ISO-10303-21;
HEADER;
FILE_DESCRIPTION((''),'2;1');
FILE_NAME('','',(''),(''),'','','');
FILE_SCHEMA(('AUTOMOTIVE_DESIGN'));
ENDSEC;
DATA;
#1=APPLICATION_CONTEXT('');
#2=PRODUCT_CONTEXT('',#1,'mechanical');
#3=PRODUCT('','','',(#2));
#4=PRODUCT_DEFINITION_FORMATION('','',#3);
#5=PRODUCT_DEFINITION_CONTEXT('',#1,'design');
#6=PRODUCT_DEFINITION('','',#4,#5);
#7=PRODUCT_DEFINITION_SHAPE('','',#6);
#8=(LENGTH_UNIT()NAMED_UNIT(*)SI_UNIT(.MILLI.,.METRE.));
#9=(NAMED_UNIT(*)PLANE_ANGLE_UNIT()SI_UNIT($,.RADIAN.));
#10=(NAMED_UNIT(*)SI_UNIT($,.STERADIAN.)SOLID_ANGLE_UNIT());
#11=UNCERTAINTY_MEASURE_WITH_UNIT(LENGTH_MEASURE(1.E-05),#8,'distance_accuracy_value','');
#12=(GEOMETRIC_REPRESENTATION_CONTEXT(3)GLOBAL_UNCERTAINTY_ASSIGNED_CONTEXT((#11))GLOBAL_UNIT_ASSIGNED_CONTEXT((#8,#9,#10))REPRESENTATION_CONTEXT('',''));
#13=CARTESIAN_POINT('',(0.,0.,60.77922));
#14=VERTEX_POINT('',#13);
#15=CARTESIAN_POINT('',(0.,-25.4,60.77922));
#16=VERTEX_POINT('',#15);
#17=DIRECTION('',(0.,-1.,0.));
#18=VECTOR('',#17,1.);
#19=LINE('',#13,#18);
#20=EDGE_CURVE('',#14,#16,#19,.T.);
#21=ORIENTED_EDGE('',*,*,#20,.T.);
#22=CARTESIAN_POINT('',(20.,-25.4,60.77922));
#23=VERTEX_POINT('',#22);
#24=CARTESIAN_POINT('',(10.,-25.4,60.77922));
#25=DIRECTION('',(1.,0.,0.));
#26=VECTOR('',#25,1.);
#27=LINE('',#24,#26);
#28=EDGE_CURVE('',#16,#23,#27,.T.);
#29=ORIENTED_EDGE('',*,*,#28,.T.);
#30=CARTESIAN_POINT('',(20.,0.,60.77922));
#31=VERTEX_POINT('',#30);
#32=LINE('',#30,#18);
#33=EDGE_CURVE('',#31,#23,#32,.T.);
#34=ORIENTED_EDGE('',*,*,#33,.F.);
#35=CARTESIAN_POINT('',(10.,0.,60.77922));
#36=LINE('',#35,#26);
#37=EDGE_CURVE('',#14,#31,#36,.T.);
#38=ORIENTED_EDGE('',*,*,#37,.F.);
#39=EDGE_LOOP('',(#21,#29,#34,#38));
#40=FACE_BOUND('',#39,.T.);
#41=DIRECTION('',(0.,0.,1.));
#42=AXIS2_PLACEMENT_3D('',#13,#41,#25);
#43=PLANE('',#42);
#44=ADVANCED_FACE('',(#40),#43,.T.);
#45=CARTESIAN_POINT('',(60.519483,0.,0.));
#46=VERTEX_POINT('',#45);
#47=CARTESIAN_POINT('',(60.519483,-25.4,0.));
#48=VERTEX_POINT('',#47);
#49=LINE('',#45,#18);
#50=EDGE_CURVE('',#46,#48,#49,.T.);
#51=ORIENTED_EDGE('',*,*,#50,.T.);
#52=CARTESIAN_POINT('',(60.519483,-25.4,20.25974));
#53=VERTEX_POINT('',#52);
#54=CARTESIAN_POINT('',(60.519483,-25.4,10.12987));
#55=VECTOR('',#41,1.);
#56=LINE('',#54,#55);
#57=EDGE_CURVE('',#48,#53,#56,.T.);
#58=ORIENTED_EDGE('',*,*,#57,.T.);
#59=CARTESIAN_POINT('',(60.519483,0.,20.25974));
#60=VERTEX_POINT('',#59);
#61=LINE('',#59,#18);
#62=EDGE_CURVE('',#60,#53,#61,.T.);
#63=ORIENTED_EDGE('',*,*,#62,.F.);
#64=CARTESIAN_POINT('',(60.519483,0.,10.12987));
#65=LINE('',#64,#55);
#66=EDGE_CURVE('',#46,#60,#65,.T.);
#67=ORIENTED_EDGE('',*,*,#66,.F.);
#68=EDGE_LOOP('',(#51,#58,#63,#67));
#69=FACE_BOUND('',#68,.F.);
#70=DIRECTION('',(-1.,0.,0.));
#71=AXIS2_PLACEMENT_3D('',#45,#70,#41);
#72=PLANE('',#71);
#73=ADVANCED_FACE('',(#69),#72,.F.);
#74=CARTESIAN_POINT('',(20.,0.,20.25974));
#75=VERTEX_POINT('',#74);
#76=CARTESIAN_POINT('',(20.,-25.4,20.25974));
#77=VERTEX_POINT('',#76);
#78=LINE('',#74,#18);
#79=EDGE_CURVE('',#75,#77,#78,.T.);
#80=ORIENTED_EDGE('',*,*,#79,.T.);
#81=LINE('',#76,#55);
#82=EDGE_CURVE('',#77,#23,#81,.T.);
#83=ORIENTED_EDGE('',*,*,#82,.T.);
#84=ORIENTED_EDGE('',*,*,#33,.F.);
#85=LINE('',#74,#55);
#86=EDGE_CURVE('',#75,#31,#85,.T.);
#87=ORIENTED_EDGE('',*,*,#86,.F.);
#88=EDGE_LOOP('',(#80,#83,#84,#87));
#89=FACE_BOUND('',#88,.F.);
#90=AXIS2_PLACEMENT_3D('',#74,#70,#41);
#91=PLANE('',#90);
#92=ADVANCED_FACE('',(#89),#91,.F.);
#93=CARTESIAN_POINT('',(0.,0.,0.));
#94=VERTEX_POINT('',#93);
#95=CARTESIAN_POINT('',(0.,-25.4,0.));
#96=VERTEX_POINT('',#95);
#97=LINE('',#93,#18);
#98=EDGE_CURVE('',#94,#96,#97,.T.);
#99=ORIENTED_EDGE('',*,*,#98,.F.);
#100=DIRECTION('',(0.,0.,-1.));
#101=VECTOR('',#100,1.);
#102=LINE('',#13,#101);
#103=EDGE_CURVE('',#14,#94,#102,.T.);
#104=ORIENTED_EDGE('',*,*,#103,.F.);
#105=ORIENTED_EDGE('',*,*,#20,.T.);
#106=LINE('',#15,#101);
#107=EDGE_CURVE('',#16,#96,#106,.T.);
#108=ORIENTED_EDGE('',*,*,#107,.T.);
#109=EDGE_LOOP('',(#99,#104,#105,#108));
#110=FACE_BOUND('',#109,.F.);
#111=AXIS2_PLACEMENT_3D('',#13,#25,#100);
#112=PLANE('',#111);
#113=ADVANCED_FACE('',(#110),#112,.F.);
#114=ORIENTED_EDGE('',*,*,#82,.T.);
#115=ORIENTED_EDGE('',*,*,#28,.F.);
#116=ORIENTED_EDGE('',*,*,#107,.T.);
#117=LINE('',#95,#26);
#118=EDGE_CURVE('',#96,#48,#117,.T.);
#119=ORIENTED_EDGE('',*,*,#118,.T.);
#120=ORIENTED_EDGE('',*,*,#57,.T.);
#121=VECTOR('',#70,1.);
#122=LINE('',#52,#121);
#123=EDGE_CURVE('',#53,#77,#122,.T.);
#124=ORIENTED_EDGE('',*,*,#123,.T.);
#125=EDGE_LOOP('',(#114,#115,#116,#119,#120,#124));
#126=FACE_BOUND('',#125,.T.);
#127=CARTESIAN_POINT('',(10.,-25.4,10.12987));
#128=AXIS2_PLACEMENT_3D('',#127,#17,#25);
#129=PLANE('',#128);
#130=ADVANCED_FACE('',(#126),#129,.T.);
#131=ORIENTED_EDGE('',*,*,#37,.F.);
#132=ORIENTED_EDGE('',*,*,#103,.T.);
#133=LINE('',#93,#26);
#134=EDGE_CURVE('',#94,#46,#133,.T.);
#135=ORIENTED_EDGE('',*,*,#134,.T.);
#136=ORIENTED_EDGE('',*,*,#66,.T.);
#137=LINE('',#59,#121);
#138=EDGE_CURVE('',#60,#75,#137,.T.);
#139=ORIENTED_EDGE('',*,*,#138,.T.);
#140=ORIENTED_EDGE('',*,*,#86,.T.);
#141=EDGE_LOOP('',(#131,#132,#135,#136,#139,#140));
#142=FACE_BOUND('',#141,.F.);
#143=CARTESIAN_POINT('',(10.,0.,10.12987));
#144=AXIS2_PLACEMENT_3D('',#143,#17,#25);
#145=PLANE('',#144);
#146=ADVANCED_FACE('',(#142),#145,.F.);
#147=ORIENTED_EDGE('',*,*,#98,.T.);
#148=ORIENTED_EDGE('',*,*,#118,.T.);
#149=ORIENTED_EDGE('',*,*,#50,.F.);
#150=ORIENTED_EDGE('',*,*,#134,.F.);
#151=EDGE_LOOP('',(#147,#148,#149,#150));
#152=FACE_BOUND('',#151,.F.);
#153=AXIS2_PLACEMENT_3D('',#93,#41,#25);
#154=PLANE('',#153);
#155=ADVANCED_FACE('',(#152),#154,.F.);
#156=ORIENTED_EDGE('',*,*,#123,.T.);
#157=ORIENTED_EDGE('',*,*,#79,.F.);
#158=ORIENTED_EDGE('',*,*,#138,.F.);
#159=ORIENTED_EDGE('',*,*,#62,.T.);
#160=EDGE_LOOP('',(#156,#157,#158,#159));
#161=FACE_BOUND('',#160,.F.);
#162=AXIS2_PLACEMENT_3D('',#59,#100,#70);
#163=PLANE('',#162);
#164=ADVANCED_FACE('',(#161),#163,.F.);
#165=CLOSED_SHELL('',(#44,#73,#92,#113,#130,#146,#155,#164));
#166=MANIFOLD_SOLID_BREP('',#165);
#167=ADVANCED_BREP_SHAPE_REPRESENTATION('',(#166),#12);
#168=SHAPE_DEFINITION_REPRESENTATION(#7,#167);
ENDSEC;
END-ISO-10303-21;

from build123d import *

# Parameters (mm, degrees)
F0_W     = 20
F0_H     = 20.25974
F0_W_2   = 20.519483
F1_DEPTH = 25.4


with BuildPart() as f1:
    # F0 (on Front) → F1 (new body)
    with BuildSketch(Plane.XZ):
        with Locations((10, 10.12987)):
            Rectangle(F0_W, F0_H)
        with Locations((10, 30.38961)):
            Rectangle(F0_W, F0_H)
        with Locations((30, 10.12987)):
            Rectangle(F0_W, F0_H)
        with Locations((10, 50.64935)):
            Rectangle(F0_W, F0_H)
        with Locations((50.259741, 10.12987)):
            Rectangle(F0_W_2, F0_H)
    extrude(amount=F1_DEPTH)


solid = f1.part
